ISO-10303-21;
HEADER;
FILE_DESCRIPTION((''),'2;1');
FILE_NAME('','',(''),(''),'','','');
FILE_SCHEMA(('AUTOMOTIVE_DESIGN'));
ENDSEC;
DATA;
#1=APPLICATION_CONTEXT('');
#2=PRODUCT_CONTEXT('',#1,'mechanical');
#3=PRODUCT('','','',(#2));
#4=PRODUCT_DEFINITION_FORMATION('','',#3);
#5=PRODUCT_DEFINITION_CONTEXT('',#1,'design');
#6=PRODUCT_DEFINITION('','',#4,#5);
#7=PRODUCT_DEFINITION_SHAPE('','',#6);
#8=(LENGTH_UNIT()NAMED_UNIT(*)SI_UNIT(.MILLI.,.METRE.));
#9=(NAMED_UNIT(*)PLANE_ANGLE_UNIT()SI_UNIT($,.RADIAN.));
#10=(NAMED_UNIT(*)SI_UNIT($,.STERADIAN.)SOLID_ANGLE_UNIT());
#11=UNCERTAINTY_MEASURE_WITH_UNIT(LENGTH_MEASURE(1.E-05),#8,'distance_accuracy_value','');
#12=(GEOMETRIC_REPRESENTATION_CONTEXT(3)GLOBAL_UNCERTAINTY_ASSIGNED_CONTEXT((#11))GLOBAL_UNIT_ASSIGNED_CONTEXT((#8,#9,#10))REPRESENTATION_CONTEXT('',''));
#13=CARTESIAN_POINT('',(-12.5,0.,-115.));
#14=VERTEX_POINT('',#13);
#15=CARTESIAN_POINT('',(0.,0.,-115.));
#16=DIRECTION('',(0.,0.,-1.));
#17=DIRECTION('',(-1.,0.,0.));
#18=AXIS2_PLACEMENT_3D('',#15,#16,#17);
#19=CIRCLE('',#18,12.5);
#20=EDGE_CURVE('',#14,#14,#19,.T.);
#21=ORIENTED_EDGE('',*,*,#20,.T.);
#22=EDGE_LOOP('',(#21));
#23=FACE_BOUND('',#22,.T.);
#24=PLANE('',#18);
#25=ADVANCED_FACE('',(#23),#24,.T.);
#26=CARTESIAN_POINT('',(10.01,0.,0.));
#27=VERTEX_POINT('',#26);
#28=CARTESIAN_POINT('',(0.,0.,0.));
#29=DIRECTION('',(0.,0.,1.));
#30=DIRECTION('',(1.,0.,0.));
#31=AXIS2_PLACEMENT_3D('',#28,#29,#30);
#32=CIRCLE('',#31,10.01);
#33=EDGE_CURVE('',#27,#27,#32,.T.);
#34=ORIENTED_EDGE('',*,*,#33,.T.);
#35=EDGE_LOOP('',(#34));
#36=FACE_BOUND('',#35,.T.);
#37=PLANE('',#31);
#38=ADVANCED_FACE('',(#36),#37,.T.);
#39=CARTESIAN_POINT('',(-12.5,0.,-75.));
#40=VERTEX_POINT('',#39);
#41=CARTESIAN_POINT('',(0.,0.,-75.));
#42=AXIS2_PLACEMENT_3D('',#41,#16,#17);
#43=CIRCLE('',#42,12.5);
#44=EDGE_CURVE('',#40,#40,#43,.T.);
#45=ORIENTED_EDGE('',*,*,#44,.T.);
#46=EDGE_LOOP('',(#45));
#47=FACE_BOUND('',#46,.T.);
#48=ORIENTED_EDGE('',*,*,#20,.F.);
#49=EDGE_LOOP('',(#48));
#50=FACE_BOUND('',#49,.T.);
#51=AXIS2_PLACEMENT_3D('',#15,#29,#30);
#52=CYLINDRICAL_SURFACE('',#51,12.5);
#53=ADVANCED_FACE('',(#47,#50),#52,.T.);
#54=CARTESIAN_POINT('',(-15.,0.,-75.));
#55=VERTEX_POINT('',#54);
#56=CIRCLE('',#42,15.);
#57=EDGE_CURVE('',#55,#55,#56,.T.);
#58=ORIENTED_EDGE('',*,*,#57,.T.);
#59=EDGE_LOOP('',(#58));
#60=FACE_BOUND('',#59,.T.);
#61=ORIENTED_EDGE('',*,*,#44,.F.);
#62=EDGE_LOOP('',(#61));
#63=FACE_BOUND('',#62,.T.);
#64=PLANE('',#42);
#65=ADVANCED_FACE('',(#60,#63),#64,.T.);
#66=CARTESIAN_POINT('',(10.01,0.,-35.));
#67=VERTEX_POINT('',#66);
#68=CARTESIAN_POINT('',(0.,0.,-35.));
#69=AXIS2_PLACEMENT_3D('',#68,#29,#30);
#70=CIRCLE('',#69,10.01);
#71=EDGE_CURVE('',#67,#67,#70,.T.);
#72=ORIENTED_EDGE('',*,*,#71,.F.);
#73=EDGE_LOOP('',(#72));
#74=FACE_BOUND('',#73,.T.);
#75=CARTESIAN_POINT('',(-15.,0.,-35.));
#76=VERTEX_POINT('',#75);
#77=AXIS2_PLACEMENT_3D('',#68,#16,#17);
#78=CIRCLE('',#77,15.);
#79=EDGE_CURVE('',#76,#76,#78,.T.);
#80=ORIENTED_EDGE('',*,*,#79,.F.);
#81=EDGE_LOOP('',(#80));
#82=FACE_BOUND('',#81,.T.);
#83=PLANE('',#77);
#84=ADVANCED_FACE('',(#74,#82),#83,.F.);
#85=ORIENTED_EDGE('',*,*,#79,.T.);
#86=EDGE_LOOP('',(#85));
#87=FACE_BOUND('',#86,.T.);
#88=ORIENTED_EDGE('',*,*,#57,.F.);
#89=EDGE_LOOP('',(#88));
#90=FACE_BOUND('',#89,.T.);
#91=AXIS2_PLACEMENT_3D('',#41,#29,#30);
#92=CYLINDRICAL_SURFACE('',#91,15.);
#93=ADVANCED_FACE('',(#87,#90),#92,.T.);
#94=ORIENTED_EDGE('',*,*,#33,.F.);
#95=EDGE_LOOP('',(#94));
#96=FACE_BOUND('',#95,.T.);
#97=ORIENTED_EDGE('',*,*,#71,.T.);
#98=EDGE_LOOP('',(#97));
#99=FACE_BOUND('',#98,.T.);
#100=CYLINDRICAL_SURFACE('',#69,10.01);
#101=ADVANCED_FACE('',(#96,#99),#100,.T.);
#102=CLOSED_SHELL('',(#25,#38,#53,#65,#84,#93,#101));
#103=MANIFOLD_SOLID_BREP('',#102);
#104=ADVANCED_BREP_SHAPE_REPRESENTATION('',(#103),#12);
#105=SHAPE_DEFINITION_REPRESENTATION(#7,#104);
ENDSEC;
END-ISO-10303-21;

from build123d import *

# Parameters (mm, degrees)
SKETCH2_R           = 10.01
BOSS_EXTRUDE1_DEPTH = 35
SKETCH3_R           = 15
BOSS_EXTRUDE2_DEPTH = 40
SKETCH4_R           = 12.5
BOSS_EXTRUDE3_DEPTH = 40


with BuildPart() as part:
    # Sketch2 → Boss-Extrude1 (new body)
    with BuildSketch(Plane.XY):
        Circle(SKETCH2_R)
    extrude(amount=-BOSS_EXTRUDE1_DEPTH)

    # Sketch3 → Boss-Extrude2 (add)
    with BuildSketch(Plane(origin=(0, 0, -35), x_dir=(-1, 0, 0), z_dir=(0, 0, -1))):
        Circle(SKETCH3_R)
    extrude(amount=BOSS_EXTRUDE2_DEPTH)

    # Sketch4 → Boss-Extrude3 (add)
    with BuildSketch(Plane(origin=(0, 0, -75), x_dir=(-1, 0, 0), z_dir=(0, 0, -1))):
        Circle(SKETCH4_R)
    extrude(amount=BOSS_EXTRUDE3_DEPTH)


solid = part.part
